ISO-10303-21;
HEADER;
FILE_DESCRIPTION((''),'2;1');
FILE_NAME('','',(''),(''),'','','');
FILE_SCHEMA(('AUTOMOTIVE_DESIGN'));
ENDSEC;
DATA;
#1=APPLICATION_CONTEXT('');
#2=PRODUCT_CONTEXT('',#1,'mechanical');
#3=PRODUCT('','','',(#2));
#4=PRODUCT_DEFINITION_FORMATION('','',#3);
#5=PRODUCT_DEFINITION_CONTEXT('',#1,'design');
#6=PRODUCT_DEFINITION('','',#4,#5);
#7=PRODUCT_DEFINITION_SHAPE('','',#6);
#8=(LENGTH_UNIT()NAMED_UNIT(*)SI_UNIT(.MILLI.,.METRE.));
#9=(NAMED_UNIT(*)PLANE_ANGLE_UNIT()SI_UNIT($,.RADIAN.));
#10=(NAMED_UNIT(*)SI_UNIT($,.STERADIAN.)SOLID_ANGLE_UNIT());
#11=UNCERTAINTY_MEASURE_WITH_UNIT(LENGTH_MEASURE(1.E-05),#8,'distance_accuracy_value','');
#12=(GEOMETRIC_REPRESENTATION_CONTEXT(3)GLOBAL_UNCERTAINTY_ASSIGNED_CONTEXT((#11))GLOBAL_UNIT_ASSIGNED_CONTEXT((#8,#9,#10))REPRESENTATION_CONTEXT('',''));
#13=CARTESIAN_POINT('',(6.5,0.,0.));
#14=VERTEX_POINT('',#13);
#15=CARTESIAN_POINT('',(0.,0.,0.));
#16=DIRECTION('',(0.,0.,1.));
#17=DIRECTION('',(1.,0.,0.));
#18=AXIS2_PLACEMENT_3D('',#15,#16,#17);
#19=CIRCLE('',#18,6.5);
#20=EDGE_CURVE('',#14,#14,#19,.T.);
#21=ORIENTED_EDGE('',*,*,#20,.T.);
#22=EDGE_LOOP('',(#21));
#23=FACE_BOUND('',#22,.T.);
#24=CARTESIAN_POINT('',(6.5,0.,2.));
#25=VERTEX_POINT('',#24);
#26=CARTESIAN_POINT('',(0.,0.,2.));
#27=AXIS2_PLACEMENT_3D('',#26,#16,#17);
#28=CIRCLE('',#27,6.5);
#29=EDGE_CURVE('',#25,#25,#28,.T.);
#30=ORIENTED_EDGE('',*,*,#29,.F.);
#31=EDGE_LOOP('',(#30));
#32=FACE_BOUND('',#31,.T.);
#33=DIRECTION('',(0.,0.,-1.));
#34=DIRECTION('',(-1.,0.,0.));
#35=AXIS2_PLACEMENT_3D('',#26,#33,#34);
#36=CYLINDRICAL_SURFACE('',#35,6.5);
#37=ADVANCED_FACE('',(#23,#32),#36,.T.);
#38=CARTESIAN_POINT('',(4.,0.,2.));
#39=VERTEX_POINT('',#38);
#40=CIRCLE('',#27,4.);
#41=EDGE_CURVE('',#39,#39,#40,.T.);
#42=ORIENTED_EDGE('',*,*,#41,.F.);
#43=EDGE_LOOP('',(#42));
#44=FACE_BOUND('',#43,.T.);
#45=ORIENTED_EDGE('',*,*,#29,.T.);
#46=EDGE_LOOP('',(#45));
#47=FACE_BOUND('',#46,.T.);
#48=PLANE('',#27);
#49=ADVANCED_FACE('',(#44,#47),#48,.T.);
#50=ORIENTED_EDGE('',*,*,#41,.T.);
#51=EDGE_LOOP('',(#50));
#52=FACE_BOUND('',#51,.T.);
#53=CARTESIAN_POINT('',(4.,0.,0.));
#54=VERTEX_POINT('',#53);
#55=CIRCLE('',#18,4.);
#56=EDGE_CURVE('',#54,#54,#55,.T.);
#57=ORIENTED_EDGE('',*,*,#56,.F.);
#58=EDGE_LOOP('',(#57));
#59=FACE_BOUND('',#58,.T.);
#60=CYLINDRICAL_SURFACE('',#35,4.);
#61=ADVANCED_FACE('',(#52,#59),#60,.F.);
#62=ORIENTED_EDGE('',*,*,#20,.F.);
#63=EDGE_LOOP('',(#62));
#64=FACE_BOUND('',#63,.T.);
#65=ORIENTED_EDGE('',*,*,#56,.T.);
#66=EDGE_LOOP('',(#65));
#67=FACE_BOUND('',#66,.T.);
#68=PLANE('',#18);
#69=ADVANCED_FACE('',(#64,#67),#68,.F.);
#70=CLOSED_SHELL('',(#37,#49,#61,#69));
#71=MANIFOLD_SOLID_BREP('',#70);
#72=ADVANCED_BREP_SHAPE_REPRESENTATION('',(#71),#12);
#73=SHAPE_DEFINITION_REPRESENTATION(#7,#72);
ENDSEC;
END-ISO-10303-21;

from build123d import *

# Parameters (mm, degrees)
SKETCH1_R           = 6.5
SKETCH1_R_2         = 4
BOSS_EXTRUDE1_DEPTH = 2


with BuildPart() as part:
    # Sketch1 → Boss-Extrude1 (new body)
    with BuildSketch(Plane.XY):
        Circle(SKETCH1_R)
        Circle(SKETCH1_R_2, mode=Mode.SUBTRACT)
    extrude(amount=BOSS_EXTRUDE1_DEPTH)


solid = part.part
